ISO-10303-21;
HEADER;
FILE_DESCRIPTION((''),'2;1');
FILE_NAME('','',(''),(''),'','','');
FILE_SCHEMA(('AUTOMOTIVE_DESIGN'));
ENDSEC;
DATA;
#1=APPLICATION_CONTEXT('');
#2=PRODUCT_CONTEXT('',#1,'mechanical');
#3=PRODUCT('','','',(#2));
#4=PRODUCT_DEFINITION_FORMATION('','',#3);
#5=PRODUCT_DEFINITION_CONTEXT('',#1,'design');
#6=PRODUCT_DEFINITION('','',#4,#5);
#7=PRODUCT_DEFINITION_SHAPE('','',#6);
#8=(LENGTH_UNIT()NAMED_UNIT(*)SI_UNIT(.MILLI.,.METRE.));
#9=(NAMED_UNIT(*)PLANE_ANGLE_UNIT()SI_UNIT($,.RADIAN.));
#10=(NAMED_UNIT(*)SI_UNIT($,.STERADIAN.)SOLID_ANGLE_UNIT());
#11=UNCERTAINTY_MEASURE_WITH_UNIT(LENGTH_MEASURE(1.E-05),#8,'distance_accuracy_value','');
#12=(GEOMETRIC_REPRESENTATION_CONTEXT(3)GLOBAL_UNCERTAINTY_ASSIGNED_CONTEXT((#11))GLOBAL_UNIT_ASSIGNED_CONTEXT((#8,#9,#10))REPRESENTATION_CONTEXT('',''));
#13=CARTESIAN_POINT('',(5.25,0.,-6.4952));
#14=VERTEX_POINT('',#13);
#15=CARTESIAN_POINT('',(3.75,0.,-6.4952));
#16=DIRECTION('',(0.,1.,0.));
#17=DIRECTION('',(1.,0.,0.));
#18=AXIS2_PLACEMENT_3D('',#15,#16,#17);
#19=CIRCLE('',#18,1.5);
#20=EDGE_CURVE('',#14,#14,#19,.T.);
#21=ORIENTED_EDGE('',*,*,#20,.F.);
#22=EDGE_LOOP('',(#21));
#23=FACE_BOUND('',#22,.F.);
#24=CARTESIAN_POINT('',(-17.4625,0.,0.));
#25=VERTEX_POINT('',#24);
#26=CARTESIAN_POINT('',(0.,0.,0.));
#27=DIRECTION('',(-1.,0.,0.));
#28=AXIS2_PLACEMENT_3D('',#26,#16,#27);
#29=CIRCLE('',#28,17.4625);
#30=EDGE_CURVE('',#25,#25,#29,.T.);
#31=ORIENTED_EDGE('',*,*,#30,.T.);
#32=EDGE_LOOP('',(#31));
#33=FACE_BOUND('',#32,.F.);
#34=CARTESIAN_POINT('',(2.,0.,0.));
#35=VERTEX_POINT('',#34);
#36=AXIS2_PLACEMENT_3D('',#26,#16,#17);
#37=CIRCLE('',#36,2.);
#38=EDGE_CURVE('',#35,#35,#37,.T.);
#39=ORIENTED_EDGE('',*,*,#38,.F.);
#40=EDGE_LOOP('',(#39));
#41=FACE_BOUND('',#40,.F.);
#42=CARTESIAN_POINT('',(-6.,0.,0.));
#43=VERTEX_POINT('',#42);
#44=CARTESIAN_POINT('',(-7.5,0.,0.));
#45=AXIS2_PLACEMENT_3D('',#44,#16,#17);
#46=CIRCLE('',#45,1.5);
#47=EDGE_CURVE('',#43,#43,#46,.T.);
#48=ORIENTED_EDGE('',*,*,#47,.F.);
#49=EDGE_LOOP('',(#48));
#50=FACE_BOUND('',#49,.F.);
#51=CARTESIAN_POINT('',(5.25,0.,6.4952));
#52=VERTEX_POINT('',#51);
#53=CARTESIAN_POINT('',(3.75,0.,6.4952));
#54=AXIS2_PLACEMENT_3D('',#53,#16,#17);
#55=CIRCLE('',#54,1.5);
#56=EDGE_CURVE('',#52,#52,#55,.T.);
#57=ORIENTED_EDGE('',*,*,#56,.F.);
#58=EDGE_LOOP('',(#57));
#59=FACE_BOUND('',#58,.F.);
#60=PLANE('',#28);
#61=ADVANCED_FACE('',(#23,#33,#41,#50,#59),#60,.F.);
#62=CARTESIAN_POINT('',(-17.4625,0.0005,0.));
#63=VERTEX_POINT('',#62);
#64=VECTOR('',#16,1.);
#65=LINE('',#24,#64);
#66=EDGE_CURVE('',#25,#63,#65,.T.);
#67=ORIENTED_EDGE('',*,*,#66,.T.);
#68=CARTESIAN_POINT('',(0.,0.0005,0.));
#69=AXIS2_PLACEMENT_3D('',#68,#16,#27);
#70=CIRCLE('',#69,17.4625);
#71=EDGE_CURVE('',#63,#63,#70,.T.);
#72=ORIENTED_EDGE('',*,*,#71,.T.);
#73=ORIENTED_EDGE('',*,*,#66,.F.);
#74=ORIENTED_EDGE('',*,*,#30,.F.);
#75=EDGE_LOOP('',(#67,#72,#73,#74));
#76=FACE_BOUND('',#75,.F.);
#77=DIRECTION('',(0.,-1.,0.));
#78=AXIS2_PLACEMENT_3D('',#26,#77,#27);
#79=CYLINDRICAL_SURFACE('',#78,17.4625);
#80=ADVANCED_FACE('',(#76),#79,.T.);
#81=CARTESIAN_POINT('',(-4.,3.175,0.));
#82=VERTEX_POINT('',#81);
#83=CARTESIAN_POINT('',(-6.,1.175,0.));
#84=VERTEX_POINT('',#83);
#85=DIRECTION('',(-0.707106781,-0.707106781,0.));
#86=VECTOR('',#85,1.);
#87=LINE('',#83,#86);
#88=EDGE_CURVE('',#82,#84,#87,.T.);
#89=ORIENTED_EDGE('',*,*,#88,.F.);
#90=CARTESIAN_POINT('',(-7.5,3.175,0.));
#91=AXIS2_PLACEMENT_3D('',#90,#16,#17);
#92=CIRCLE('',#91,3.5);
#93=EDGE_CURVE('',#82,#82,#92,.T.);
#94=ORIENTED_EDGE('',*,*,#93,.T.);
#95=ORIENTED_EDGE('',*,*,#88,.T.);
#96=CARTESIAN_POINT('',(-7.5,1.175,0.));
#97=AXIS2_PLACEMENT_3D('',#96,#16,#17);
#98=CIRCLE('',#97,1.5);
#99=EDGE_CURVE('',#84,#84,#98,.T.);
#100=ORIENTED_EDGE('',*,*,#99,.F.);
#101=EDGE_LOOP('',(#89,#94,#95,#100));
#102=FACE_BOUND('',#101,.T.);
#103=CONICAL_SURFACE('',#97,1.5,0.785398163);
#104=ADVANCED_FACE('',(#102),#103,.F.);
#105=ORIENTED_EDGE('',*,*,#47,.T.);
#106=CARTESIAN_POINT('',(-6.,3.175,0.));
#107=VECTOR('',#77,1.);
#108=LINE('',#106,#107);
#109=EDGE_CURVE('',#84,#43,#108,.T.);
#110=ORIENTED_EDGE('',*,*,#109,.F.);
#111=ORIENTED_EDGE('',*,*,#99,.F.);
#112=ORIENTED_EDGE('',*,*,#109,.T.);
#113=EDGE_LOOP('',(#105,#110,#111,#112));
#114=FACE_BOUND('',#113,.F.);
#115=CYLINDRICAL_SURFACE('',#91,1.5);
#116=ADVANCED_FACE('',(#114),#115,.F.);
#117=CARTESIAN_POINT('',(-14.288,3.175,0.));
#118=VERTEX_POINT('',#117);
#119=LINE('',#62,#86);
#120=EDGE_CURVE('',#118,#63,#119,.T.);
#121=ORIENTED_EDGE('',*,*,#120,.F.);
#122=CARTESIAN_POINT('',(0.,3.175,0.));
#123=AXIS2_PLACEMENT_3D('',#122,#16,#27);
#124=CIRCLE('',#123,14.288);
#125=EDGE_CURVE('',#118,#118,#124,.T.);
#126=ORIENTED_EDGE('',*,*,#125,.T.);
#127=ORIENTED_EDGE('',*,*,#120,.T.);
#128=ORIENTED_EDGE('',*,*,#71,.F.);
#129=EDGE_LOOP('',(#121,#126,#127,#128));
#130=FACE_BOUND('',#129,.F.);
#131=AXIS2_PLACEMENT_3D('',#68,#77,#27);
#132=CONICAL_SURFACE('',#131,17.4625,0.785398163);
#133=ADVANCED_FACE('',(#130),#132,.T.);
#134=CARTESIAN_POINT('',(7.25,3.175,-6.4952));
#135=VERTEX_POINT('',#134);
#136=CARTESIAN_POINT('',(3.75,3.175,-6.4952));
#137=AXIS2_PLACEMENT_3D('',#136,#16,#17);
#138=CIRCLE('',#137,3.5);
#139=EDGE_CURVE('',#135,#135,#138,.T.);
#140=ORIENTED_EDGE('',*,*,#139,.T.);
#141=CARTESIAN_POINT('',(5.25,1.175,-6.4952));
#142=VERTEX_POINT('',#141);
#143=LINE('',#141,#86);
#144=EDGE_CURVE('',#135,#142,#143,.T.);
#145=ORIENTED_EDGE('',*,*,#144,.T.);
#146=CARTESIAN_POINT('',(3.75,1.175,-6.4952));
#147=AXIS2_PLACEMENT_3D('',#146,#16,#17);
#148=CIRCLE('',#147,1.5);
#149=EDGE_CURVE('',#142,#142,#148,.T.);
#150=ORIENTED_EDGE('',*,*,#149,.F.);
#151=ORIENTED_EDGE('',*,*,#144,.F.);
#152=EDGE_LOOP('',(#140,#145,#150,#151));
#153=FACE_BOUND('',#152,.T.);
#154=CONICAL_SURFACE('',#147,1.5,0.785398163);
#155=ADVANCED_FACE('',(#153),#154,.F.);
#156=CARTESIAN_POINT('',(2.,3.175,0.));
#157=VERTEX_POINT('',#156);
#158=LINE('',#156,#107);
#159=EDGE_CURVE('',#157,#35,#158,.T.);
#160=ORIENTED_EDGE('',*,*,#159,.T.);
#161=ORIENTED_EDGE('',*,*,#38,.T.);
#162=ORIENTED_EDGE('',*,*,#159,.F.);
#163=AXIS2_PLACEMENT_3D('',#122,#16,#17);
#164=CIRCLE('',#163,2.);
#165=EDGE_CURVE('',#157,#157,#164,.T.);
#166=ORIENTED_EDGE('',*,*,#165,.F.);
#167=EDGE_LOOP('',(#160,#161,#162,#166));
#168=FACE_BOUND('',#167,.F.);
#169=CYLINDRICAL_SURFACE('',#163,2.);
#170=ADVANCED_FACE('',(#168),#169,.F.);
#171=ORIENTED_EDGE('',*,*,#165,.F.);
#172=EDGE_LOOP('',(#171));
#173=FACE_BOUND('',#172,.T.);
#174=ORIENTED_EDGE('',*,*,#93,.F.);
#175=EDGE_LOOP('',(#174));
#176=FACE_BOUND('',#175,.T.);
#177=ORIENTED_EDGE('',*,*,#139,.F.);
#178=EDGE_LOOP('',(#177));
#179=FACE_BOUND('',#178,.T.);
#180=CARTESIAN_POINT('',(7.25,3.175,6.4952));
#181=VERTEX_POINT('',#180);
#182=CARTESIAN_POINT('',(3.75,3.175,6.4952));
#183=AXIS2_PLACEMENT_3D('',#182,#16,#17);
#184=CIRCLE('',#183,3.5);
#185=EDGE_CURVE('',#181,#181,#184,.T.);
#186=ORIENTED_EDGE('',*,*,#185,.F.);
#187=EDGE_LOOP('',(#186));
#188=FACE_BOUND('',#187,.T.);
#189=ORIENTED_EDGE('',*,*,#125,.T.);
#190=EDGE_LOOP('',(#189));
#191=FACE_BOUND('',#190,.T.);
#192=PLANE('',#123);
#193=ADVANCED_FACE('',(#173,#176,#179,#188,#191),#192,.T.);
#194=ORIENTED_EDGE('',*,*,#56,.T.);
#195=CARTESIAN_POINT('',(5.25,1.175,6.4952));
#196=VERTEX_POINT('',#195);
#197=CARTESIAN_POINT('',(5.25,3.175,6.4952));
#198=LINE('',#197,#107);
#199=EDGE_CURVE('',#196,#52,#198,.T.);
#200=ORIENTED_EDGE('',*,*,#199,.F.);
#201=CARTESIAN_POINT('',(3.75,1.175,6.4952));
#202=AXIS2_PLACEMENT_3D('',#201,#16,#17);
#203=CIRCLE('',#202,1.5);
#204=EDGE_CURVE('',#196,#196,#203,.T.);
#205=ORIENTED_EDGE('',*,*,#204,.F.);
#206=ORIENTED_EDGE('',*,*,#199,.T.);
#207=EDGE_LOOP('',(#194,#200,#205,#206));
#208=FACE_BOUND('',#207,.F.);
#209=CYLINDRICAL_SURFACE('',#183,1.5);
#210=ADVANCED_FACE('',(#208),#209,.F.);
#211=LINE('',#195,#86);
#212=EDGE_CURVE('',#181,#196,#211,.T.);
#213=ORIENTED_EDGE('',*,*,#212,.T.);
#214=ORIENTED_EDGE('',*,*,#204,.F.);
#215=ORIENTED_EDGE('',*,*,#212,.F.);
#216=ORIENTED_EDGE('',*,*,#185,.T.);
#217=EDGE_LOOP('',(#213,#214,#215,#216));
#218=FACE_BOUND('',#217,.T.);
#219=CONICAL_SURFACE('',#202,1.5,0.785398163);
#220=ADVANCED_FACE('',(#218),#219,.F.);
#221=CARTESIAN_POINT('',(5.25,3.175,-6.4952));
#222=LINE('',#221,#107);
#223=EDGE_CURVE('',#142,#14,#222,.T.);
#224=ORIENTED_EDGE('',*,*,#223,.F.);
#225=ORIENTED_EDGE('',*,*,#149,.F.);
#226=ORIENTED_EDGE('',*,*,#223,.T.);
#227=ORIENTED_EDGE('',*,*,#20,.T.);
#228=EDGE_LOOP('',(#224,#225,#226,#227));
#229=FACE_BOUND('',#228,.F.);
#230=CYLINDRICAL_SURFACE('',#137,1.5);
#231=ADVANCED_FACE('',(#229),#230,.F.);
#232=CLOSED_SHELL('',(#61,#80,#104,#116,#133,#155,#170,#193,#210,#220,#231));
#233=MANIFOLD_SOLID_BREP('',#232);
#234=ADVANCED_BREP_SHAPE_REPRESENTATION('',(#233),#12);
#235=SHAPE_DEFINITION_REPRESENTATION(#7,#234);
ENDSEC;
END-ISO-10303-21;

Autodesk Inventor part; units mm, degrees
ref_plane "YZ Plane" through (0, 0, 0) normal (1, 0, 0) x (0, 1, 0)
ref_plane "XZ Plane" through (0, 0, 0) normal (0, 1, 0) x (-1, 0, 0)
ref_plane "XY Plane" through (0, 0, 0) normal (0, 0, 1) x (1, 0, 0)
sketch "Sketch1" plane through (0, 0, 0) normal (0, 1, 0) x (-1, 0, 0)
  circle A0 centre (0, 0) radius 17.4625
  line L0 (0, 0) -> (17.4625, 0) construction
  dimension "d0" = 34.925
extrude "Extrusion1" add sketch "Sketch1" along normal blind 3.175
sketch "Sketch2" plane through (0, 3.175, 0) normal (0, 1, 0) x (1, 0, 0)
  circle A0 centre (0, 0) radius 2
  line L0 (0, 0) -> (-14.2875, 0) construction
  arc A1 (-12.8229, 3.4359) -> (-12.8229, -3.4359) centre (-9.525, 0) ccw projected
  circle A2 centre (0, 0) radius 7.5 construction
  circle A3 centre (-7.5, 0) radius 1.5
  circle A4 centre (3.75, -6.4952) radius 1.5
  circle A5 centre (3.75, 6.4952) radius 1.5
  dimension "d10" = 15
  dimension "d9" = 4
  dimension "d11" = 3
  dimension "d14" = 360
extrude "Extrusion2" cut sketch "Sketch2" against normal through all
chamfer "Chamfer1" distance 2 angle 45 3 edges at (-9, 3.175, 0) (2.25, 3.175, -6.4952) (2.25, 3.175, 6.4952)
chamfer "Chamfer2" distance 3.175 distance2 3.175 1 edges at (17.4625, 3.175, 0) measured on face at (10.0674, 3.175, 0)
properties part number "Hub Cap" material "Aluminum 6061"
